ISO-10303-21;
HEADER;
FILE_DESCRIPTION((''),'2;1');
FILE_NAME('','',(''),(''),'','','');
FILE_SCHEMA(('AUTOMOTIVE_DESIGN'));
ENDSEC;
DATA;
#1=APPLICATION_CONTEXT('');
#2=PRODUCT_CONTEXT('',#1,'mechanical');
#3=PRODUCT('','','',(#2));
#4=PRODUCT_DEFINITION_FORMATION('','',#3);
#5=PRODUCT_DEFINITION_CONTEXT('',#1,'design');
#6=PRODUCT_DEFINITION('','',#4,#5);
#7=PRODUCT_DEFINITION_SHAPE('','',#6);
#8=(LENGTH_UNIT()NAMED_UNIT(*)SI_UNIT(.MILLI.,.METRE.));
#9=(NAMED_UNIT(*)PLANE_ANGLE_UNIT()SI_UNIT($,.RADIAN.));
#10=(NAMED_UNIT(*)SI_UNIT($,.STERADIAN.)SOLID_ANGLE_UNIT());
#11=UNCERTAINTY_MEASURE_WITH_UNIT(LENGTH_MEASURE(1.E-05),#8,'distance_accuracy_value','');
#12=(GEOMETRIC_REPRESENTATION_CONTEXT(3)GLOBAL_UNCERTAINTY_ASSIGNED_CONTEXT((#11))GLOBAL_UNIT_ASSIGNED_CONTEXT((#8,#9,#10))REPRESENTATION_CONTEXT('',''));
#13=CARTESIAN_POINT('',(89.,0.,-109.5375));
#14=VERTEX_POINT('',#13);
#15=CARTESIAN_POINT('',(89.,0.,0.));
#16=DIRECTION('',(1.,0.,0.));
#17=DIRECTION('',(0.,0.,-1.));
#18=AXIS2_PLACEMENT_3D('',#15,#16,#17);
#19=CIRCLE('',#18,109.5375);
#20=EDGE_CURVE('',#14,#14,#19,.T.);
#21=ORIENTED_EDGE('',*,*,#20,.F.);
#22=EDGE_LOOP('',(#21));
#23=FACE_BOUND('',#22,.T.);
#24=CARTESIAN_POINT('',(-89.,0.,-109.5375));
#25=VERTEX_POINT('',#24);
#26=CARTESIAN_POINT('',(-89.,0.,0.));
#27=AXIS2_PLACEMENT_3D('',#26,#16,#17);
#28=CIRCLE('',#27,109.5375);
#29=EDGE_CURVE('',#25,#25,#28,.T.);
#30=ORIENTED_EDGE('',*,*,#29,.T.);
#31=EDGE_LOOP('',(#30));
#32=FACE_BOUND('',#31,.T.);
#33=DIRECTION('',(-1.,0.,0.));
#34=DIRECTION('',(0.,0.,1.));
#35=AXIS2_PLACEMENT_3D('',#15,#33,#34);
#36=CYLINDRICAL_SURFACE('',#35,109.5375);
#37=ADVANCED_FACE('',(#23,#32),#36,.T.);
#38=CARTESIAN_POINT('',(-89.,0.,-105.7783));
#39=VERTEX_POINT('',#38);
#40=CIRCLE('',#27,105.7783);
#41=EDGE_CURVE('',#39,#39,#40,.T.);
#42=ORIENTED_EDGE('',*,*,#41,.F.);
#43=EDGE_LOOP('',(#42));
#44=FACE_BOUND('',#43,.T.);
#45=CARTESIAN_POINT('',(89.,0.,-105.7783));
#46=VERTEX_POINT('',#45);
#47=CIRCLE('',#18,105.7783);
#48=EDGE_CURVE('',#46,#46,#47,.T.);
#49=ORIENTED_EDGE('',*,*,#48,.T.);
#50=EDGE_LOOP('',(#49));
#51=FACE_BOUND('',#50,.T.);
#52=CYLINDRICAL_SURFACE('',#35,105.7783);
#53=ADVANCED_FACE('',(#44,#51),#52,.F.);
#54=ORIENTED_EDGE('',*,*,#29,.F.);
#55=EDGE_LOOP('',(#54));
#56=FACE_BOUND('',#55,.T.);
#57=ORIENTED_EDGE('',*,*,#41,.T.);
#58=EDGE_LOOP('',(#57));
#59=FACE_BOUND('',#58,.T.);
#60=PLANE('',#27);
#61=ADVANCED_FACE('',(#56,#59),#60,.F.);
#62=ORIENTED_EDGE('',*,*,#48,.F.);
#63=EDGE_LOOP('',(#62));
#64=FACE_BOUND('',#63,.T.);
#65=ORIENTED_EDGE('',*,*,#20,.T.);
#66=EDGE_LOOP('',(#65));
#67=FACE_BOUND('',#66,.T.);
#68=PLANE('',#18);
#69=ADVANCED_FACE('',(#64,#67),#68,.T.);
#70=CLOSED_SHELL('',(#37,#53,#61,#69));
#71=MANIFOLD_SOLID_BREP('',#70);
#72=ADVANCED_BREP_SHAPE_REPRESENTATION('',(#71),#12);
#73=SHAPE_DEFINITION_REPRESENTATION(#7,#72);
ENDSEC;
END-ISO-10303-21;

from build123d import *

# Parameters (mm, degrees)
SKETCH1_R      = 109.5375
SKETCH1_R_2    = 105.7783
EXTRUDE1_DEPTH = 89


with BuildPart() as part:
    # Sketch1 → Extrude1 (new, symmetric)
    with BuildSketch(Plane(origin=(0, 0, 0), x_dir=(0, 0, -1), z_dir=(1, 0, 0))):
        Circle(SKETCH1_R)
        Circle(SKETCH1_R_2, mode=Mode.SUBTRACT)
    extrude(amount=EXTRUDE1_DEPTH, both=True)


solid = part.part
